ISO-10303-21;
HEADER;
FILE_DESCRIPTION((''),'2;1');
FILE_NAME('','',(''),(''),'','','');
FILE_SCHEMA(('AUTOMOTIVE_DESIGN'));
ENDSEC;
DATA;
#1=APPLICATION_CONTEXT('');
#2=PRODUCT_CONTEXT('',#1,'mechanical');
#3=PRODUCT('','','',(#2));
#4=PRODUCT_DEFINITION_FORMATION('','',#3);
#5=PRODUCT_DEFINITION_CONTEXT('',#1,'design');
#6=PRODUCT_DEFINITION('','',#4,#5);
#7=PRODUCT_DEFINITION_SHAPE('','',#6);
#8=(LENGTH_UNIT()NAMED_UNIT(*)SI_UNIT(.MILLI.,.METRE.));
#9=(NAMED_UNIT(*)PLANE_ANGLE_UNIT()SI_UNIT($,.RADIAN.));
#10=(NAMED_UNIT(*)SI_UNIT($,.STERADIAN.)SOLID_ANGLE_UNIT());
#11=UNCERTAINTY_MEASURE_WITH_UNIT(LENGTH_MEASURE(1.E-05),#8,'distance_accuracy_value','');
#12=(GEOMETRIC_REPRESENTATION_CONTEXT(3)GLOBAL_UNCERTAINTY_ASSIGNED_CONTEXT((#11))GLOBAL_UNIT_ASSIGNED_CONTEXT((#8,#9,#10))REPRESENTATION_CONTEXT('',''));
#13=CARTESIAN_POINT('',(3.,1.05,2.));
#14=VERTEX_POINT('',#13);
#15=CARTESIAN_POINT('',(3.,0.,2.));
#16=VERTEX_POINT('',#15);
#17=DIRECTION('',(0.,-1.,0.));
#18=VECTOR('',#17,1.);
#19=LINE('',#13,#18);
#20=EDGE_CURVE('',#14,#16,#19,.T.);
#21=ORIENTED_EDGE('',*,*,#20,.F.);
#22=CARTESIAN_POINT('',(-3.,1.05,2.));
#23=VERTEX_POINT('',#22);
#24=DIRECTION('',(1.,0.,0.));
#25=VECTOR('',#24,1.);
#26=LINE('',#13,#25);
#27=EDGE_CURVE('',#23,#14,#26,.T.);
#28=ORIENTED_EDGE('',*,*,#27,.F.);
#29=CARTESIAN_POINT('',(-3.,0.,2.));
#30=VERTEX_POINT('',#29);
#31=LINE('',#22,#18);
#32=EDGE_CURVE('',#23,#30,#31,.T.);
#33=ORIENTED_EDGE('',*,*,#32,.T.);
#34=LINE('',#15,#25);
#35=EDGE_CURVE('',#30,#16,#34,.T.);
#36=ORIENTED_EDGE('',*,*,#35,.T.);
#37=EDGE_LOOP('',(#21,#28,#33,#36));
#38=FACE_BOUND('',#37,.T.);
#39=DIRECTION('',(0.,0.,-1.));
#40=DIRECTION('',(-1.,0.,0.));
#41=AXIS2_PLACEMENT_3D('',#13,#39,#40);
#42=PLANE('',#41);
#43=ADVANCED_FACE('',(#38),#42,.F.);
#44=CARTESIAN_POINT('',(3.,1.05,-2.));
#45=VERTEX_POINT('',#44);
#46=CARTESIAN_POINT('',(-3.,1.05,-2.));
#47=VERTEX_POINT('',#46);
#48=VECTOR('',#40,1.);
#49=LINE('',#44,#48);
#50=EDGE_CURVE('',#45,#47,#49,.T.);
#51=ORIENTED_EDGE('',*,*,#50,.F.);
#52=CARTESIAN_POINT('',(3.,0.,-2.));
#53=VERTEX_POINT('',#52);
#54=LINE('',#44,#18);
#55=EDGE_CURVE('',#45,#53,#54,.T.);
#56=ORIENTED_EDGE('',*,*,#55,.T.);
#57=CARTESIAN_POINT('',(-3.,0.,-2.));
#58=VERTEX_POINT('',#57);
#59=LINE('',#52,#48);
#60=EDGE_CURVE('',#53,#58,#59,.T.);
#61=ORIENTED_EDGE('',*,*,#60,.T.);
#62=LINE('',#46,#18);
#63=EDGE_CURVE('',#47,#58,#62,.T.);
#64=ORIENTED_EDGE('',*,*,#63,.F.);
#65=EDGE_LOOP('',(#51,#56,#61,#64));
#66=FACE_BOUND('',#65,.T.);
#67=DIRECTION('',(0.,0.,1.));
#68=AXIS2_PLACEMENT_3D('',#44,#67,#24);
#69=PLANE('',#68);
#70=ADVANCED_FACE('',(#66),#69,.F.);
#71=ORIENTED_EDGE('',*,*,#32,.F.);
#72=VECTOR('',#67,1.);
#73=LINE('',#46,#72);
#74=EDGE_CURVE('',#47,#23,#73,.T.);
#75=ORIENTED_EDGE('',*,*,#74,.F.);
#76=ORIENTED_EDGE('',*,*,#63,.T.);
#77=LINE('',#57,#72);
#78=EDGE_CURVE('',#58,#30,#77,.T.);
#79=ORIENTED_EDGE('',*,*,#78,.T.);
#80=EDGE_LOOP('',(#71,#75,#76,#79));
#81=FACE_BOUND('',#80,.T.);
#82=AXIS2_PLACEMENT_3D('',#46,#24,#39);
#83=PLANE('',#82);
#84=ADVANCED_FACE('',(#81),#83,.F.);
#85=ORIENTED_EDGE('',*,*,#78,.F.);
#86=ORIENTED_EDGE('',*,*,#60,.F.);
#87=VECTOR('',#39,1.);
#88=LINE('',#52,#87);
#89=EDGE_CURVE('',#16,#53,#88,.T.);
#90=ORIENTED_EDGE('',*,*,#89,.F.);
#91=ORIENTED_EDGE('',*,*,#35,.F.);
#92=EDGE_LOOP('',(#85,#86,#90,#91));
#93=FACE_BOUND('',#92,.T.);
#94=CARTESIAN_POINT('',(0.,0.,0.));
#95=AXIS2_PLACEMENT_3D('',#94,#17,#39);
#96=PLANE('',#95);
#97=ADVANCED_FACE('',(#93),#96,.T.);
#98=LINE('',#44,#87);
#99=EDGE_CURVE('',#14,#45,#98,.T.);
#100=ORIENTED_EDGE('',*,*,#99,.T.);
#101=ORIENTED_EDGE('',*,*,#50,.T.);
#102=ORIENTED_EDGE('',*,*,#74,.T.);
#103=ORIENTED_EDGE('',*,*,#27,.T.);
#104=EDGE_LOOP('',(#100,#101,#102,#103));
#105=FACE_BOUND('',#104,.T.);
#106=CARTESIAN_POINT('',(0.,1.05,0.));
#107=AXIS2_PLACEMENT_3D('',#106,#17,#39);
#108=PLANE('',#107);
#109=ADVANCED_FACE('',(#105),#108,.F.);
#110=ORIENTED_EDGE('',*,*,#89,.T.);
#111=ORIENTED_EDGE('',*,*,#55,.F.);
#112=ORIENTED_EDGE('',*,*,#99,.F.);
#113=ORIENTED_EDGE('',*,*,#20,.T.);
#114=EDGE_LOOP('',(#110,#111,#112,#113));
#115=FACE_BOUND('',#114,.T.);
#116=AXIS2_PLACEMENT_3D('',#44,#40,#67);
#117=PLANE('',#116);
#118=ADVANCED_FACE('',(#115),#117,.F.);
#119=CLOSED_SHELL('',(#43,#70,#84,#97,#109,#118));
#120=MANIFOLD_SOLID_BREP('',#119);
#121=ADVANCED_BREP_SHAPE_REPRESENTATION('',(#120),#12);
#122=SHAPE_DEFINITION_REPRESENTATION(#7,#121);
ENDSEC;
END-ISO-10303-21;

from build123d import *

# Parameters (mm, degrees)
SKETCH1_W           = 6
SKETCH1_H           = 4
BOSS_EXTRUDE1_DEPTH = 1.05


with BuildPart() as part:
    # Sketch1 → Boss-Extrude1 (new body)
    with BuildSketch(Plane(origin=(0, 0, 0), x_dir=(1, 0, 0), z_dir=(0, 1, 0))):
        Rectangle(SKETCH1_W, SKETCH1_H)
    extrude(amount=BOSS_EXTRUDE1_DEPTH)


solid = part.part
